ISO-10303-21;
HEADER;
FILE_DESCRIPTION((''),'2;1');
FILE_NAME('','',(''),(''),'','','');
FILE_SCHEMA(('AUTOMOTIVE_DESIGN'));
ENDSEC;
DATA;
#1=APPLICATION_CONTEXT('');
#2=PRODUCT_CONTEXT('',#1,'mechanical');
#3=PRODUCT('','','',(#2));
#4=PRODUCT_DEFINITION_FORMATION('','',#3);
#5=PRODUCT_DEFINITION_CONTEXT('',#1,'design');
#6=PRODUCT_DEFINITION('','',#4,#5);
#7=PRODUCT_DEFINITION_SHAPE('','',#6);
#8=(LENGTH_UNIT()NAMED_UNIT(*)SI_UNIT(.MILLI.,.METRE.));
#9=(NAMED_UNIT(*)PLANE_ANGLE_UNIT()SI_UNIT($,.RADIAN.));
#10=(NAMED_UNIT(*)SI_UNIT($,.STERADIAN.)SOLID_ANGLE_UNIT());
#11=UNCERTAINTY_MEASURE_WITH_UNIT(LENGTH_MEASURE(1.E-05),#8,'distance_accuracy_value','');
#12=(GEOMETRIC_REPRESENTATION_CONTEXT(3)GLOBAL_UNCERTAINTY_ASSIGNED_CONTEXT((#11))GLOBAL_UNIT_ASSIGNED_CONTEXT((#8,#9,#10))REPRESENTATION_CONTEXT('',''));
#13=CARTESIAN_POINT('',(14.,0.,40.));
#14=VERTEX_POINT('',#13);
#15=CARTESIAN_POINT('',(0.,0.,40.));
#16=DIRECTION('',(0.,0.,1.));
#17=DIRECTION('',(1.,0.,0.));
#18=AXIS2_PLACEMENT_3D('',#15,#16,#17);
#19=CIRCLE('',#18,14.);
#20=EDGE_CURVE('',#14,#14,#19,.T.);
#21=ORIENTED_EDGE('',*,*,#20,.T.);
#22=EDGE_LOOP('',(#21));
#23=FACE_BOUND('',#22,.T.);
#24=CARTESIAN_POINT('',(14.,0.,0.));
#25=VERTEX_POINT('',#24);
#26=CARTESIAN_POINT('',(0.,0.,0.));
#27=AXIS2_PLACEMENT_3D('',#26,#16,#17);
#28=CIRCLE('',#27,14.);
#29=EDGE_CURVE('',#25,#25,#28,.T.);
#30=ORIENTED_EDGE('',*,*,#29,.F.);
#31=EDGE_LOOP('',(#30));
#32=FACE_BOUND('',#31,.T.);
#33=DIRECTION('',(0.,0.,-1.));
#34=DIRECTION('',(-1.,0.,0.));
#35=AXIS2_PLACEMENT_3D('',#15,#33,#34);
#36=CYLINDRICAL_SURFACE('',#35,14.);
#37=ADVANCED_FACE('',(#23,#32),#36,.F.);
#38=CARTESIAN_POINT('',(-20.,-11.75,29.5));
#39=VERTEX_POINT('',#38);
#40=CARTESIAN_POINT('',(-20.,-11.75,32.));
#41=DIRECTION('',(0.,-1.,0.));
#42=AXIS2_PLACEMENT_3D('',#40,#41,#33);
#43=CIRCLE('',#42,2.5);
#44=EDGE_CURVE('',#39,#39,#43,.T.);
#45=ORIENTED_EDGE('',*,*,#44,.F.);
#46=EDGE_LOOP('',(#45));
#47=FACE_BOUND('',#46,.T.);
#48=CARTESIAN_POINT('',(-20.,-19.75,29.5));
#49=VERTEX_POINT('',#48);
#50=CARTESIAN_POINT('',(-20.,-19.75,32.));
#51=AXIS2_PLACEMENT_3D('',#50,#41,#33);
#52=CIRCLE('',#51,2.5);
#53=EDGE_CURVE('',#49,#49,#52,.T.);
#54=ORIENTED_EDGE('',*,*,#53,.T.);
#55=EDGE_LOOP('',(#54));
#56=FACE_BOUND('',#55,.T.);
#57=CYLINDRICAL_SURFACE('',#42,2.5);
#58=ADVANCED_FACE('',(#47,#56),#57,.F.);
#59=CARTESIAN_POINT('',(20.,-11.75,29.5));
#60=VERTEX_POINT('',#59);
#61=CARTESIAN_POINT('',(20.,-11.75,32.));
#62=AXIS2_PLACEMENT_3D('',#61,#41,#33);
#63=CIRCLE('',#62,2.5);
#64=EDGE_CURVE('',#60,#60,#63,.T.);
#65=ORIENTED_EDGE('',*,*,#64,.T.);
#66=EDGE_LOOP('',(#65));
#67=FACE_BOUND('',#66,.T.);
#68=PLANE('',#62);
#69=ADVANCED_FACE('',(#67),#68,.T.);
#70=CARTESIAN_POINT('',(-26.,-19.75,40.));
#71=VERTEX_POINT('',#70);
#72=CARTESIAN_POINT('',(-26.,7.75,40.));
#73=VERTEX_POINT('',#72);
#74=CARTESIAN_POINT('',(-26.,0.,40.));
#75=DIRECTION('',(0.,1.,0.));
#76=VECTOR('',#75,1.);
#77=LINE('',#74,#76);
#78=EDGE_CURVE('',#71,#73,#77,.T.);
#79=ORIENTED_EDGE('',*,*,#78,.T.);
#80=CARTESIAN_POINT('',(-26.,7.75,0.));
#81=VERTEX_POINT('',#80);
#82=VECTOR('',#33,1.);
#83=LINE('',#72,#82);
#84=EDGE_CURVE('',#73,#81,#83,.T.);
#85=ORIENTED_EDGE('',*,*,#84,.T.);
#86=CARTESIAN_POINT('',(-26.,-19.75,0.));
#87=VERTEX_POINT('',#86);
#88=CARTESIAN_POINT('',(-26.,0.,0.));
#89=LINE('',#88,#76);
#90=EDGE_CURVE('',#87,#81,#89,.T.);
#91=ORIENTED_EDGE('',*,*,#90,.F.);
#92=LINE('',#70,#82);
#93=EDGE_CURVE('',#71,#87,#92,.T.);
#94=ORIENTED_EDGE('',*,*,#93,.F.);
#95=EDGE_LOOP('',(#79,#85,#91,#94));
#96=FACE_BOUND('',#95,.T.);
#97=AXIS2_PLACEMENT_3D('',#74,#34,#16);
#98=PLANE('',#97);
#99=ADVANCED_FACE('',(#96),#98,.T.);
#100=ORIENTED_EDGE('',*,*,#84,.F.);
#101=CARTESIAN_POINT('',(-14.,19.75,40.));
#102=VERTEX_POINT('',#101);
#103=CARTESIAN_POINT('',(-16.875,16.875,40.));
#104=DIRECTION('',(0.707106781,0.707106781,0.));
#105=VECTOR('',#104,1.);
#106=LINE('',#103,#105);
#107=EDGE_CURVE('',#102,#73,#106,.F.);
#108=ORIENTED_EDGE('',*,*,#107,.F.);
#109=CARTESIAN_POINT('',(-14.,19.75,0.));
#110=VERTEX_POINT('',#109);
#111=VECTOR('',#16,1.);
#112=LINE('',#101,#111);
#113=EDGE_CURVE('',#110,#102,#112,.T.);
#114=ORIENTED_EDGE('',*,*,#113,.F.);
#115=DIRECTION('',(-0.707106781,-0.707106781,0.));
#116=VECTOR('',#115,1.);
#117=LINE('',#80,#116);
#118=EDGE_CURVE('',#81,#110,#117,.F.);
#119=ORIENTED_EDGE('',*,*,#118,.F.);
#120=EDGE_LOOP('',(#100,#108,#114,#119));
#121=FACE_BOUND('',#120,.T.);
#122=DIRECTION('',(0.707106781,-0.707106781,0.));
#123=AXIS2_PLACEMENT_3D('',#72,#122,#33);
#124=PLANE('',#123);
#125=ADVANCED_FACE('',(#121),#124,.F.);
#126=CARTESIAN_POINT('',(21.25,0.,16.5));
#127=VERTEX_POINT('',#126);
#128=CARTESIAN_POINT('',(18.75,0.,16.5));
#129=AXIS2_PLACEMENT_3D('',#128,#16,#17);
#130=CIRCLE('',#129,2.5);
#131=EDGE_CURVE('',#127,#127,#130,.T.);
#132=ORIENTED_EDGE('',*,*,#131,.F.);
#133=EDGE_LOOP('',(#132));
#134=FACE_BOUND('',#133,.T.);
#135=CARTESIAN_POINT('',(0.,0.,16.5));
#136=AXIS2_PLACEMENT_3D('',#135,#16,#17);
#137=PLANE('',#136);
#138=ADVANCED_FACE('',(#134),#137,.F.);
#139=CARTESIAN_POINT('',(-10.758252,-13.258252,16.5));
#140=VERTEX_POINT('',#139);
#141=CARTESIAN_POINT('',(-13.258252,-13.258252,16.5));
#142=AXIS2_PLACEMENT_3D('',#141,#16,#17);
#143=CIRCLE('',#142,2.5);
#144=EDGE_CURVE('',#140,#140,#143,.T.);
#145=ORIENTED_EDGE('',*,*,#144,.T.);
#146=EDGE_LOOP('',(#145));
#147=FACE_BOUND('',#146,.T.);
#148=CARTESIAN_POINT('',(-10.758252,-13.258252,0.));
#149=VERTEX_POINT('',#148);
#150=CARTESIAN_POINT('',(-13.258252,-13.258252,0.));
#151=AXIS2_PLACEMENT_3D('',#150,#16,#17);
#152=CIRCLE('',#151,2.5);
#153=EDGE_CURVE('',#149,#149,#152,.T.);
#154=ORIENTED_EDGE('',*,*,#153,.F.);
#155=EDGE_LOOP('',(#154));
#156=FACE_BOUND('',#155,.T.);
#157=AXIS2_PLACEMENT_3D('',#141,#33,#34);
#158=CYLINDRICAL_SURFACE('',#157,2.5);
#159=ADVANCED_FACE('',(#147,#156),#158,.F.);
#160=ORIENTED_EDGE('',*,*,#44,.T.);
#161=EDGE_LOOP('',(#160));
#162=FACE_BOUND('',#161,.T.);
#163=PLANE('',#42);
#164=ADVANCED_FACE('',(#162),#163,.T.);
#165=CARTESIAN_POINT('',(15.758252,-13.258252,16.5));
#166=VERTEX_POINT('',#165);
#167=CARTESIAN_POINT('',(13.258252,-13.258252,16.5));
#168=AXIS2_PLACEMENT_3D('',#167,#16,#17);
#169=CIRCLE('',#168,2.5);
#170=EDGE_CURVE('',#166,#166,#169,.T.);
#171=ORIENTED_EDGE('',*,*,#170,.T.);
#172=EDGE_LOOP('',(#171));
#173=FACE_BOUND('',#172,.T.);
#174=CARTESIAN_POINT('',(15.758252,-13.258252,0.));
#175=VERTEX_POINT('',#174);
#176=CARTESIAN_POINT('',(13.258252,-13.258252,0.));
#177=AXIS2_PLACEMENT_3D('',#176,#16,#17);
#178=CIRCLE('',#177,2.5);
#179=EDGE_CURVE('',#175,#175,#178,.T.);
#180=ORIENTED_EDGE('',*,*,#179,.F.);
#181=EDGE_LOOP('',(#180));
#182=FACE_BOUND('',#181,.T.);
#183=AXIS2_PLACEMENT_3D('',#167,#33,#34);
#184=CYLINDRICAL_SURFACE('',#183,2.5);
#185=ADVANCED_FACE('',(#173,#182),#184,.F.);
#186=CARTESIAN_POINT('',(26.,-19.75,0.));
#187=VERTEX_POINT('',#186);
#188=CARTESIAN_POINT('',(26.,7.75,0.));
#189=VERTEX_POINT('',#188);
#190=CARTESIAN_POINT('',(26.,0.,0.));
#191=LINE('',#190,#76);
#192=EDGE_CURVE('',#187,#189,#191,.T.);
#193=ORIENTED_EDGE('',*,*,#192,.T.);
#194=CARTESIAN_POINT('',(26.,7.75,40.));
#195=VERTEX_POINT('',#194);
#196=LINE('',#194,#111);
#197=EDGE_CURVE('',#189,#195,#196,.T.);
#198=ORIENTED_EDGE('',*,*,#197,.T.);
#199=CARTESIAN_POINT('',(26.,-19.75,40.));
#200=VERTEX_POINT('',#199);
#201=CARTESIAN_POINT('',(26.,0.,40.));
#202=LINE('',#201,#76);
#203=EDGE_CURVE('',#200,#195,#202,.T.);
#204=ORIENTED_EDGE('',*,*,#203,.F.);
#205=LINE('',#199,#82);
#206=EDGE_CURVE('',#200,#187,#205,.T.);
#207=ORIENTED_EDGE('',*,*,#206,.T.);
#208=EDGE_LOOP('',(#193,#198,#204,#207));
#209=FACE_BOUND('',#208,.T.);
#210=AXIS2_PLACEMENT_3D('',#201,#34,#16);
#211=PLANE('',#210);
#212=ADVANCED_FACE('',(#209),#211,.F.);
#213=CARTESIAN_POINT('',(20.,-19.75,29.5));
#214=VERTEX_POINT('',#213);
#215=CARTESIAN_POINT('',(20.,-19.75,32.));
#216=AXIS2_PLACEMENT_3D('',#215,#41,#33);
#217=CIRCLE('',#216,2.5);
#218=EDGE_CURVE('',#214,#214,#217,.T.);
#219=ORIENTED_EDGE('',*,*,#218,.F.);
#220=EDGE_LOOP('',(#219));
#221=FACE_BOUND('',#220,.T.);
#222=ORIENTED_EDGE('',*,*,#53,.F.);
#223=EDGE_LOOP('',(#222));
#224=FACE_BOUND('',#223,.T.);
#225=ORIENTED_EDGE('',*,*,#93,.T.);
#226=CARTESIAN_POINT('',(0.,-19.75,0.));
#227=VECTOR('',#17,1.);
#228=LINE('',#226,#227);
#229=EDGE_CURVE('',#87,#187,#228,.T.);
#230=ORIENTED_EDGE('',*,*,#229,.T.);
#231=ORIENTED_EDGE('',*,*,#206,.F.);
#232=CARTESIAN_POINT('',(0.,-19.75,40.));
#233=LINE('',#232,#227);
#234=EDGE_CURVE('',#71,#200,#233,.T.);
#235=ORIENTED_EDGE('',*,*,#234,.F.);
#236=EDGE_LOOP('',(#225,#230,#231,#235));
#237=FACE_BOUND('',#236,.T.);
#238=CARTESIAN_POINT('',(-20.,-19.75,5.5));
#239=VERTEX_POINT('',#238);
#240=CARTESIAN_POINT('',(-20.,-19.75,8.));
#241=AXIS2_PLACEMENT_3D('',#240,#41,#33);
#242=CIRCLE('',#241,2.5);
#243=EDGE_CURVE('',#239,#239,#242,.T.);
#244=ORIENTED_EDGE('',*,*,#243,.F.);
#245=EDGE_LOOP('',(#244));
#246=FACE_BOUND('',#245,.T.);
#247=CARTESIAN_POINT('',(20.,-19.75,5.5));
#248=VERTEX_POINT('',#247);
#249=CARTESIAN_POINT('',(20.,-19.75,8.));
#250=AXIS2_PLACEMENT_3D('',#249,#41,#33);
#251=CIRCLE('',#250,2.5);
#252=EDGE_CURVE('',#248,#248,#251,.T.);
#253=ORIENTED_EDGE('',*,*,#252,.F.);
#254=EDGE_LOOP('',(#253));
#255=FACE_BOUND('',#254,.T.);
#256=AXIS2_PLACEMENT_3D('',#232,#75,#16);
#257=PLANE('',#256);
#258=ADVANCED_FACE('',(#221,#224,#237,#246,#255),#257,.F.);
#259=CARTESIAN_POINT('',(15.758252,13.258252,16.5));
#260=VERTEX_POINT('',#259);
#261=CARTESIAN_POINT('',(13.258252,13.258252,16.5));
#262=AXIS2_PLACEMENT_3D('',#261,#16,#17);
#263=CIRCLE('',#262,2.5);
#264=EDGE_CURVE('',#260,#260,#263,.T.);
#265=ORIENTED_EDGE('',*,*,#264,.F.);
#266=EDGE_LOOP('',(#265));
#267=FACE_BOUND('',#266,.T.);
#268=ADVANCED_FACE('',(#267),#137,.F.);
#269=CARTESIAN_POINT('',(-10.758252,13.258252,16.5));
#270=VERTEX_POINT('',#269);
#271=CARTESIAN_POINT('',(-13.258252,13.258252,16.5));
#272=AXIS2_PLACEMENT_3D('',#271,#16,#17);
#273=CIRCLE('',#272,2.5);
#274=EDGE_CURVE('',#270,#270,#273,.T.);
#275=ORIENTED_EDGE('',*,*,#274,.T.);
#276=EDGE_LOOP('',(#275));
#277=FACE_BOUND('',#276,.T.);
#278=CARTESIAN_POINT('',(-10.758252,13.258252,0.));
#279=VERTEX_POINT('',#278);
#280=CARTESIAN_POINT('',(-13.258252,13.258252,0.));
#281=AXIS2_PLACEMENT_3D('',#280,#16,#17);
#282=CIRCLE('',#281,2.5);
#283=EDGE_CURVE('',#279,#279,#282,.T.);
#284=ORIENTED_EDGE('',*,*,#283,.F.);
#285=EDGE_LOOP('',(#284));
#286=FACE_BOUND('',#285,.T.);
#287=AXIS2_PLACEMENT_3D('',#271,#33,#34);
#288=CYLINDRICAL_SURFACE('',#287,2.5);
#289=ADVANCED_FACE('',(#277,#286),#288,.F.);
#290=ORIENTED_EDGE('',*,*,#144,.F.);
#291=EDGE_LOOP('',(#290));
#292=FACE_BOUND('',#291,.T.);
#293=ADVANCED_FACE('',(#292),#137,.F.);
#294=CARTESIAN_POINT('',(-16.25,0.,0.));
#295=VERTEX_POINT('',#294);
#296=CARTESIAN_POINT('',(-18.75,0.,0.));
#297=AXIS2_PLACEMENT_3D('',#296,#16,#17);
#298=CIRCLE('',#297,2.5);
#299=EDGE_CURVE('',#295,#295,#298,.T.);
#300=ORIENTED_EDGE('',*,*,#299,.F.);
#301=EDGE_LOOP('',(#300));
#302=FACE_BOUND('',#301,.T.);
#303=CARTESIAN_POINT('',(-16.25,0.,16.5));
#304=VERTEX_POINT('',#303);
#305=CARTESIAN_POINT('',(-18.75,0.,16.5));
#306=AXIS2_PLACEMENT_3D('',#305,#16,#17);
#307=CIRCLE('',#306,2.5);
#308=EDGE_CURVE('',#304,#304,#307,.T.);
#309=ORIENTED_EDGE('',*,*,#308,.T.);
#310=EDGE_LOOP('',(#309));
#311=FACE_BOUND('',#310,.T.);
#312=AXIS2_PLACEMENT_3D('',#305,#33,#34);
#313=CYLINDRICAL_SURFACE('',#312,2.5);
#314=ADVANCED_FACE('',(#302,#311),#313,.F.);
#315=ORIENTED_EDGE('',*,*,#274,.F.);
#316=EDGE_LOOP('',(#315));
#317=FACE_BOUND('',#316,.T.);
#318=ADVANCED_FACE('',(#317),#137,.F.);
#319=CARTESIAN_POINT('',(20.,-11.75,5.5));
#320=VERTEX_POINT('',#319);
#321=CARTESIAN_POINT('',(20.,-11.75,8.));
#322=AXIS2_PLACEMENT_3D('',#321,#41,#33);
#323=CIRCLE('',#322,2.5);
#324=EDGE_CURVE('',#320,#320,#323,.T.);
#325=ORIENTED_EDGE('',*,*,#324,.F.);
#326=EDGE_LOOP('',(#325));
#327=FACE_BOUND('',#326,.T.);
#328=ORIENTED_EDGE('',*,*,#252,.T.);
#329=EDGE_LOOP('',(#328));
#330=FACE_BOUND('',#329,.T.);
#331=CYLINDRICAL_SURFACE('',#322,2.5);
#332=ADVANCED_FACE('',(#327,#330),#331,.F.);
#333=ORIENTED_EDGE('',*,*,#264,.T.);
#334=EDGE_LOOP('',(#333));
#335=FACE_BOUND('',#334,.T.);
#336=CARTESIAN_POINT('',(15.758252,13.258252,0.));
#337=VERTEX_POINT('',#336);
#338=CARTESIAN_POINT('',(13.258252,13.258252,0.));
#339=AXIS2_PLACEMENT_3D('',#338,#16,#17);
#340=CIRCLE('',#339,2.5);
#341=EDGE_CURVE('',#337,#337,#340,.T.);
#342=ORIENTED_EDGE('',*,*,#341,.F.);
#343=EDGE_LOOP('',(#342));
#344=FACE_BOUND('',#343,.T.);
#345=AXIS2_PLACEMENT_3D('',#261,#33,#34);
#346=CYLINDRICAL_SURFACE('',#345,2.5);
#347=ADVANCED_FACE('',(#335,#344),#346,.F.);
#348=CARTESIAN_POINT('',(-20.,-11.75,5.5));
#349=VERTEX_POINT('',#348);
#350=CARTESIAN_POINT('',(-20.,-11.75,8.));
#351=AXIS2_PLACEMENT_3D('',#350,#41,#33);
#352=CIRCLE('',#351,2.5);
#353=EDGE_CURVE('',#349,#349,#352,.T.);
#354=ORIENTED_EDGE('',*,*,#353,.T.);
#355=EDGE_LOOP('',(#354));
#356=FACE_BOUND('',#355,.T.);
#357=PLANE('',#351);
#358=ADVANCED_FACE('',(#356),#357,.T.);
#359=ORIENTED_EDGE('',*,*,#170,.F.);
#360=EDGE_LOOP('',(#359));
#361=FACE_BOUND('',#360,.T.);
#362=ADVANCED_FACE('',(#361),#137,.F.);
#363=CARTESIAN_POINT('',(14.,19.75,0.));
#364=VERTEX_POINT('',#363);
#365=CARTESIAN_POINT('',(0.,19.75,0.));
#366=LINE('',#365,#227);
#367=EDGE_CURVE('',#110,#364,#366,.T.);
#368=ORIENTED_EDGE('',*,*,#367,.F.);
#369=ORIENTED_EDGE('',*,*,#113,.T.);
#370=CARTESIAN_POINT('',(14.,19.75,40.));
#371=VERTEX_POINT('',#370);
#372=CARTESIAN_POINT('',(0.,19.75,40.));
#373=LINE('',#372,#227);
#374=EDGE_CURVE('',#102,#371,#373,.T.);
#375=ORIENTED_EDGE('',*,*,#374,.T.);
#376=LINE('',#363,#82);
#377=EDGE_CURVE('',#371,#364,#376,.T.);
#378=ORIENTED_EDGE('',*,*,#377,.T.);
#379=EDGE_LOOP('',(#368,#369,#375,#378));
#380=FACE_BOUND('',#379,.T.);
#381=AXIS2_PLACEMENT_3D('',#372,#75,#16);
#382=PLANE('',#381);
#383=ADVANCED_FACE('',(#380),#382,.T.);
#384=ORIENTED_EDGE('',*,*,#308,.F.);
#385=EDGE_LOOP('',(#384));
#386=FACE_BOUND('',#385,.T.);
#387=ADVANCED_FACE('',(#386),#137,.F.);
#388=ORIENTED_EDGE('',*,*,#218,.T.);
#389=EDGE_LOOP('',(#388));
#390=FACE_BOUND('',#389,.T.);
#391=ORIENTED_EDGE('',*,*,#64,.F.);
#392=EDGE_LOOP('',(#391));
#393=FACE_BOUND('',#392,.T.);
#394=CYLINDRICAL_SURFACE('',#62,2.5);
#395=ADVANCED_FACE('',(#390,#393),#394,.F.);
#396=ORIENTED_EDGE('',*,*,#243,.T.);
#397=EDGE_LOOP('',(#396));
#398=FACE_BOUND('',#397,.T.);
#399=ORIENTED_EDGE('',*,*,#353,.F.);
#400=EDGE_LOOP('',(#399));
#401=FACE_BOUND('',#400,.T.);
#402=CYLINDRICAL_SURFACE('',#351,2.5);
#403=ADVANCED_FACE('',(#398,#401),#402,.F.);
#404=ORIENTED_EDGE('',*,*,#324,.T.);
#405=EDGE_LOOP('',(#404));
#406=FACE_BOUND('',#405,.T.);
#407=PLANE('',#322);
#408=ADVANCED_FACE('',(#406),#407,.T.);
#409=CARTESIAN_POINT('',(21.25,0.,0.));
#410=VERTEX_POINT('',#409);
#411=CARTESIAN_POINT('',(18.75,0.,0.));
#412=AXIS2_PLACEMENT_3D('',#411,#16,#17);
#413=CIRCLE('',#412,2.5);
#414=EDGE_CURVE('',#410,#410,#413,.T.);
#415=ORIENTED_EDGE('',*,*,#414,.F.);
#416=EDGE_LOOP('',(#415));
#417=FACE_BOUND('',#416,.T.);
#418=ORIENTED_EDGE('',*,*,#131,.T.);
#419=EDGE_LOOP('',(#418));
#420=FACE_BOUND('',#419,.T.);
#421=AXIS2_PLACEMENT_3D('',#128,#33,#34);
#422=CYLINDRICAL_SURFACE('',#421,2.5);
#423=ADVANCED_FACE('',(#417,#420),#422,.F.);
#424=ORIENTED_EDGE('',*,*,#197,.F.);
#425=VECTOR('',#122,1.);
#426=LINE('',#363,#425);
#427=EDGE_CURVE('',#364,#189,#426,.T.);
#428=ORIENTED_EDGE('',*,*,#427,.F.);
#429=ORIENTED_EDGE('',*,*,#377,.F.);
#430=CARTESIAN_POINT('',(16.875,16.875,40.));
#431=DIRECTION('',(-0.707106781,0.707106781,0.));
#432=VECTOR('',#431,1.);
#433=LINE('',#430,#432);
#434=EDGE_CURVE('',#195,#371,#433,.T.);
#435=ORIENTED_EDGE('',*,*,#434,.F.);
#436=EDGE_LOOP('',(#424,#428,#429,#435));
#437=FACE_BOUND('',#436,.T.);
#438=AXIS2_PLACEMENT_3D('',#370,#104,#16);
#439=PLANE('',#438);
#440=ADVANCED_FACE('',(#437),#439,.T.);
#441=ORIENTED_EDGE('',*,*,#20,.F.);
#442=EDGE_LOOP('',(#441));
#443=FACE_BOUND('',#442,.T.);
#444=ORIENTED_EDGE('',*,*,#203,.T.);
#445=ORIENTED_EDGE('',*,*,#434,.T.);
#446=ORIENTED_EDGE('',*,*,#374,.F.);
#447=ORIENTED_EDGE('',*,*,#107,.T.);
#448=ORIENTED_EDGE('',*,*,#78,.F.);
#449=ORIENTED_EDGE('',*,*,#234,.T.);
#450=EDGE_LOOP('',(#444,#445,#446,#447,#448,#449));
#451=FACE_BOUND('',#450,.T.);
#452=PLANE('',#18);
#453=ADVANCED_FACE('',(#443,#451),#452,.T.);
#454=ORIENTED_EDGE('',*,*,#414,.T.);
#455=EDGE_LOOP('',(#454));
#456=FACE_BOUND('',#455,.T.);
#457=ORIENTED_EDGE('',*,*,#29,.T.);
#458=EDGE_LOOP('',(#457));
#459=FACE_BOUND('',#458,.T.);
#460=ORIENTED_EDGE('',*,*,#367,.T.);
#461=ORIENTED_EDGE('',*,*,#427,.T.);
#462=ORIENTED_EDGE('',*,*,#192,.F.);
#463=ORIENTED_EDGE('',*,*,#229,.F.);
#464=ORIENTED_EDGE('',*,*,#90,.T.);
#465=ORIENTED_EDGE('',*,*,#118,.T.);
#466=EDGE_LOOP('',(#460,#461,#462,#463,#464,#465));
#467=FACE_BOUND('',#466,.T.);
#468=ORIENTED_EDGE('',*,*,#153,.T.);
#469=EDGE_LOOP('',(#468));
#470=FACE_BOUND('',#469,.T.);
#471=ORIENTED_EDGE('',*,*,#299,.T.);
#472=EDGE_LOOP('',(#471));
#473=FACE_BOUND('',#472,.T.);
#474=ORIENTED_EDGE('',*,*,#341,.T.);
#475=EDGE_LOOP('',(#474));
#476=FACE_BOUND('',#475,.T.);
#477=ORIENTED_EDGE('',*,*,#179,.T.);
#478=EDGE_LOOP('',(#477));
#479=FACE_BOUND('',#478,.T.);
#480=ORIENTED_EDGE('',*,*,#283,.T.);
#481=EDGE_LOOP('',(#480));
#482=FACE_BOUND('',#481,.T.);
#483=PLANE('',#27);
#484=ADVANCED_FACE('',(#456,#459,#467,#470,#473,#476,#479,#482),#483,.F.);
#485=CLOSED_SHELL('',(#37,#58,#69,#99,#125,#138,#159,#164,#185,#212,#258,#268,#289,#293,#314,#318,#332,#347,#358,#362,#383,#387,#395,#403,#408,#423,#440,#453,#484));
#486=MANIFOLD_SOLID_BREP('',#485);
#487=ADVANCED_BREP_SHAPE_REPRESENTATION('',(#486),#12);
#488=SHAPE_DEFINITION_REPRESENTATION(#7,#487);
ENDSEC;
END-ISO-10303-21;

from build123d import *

# Parameters (mm, degrees)
SKETCH1_W           = 52
SKETCH1_H           = 39.5
SKETCH1_R           = 2.5
SKETCH1_R_2         = 14
BOSS_EXTRUDE1_DEPTH = 40
CHAMFER1_SIZE       = 12
SKETCH1_3_R         = 2.5
CUT_EXTRUDE1_DEPTH  = 16.5
SKETCH2_R           = 2.5
CUT_EXTRUDE2_DEPTH  = 8


with BuildPart() as part:
    # Sketch1 → Boss-Extrude1 (new body)
    with BuildSketch(Plane.XY):
        Rectangle(SKETCH1_W, SKETCH1_H)
        with Locations((13.258252147, 13.258252147)):
            Circle(SKETCH1_R, mode=Mode.SUBTRACT)
        with Locations((-13.258252147, 13.258252147)):
            Circle(SKETCH1_R, mode=Mode.SUBTRACT)
        with Locations((-18.75, 0)):
            Circle(SKETCH1_R, mode=Mode.SUBTRACT)
        with Locations((-13.258252147, -13.258252147)):
            Circle(SKETCH1_R, mode=Mode.SUBTRACT)
        with Locations((13.258252147, -13.258252147)):
            Circle(SKETCH1_R, mode=Mode.SUBTRACT)
        with Locations((18.75, 0)):
            Circle(SKETCH1_R, mode=Mode.SUBTRACT)
        Circle(SKETCH1_R_2, mode=Mode.SUBTRACT)
        with Locations((13.258252147, -13.258252147)):
            Circle(SKETCH1_R)
        with Locations((-13.258252147, -13.258252147)):
            Circle(SKETCH1_R)
        with Locations((-18.75, 0)):
            Circle(SKETCH1_R)
        with Locations((18.75, 0)):
            Circle(SKETCH1_R)
        with Locations((-13.258252147, 13.258252147)):
            Circle(SKETCH1_R)
        with Locations((13.258252147, 13.258252147)):
            Circle(SKETCH1_R)
    extrude(amount=BOSS_EXTRUDE1_DEPTH)

    # Chamfer1
    chamfer1_edges = [part.edges().sort_by_distance(p)[0] for p in [
        (-26, 19.75, 20),
        (26, 19.75, 20),
    ]]
    chamfer(chamfer1_edges, length=CHAMFER1_SIZE)

    # Sketch1<3> → Cut-Extrude1 (cut)
    with BuildSketch(Plane.XY):
        with Locations((13.258252147, 13.258252147)):
            Circle(SKETCH1_3_R)
        with Locations((18.75, 0)):
            Circle(SKETCH1_3_R)
        with Locations((13.258252147, -13.258252147)):
            Circle(SKETCH1_3_R)
        with Locations((-13.258252147, -13.258252147)):
            Circle(SKETCH1_3_R)
        with Locations((-18.75, 0)):
            Circle(SKETCH1_3_R)
        with Locations((-13.258252147, 13.258252147)):
            Circle(SKETCH1_3_R)
    extrude(amount=CUT_EXTRUDE1_DEPTH, mode=Mode.SUBTRACT)

    # Sketch2 → Cut-Extrude2 (cut)
    with BuildSketch(Plane.XZ.offset(19.75)):
        with Locations(Location((20, 8, 0), (0, 0, 270))):
            Circle(SKETCH2_R)
        with Locations(Location((-20, 8, 0), (0, 0, 270))):
            Circle(SKETCH2_R)
        with Locations(Location((20, 32, 0), (0, 0, 270))):
            Circle(SKETCH2_R)
        with Locations(Location((-20, 32, 0), (0, 0, 270))):
            Circle(SKETCH2_R)
    extrude(amount=-CUT_EXTRUDE2_DEPTH, mode=Mode.SUBTRACT)


solid = part.part
